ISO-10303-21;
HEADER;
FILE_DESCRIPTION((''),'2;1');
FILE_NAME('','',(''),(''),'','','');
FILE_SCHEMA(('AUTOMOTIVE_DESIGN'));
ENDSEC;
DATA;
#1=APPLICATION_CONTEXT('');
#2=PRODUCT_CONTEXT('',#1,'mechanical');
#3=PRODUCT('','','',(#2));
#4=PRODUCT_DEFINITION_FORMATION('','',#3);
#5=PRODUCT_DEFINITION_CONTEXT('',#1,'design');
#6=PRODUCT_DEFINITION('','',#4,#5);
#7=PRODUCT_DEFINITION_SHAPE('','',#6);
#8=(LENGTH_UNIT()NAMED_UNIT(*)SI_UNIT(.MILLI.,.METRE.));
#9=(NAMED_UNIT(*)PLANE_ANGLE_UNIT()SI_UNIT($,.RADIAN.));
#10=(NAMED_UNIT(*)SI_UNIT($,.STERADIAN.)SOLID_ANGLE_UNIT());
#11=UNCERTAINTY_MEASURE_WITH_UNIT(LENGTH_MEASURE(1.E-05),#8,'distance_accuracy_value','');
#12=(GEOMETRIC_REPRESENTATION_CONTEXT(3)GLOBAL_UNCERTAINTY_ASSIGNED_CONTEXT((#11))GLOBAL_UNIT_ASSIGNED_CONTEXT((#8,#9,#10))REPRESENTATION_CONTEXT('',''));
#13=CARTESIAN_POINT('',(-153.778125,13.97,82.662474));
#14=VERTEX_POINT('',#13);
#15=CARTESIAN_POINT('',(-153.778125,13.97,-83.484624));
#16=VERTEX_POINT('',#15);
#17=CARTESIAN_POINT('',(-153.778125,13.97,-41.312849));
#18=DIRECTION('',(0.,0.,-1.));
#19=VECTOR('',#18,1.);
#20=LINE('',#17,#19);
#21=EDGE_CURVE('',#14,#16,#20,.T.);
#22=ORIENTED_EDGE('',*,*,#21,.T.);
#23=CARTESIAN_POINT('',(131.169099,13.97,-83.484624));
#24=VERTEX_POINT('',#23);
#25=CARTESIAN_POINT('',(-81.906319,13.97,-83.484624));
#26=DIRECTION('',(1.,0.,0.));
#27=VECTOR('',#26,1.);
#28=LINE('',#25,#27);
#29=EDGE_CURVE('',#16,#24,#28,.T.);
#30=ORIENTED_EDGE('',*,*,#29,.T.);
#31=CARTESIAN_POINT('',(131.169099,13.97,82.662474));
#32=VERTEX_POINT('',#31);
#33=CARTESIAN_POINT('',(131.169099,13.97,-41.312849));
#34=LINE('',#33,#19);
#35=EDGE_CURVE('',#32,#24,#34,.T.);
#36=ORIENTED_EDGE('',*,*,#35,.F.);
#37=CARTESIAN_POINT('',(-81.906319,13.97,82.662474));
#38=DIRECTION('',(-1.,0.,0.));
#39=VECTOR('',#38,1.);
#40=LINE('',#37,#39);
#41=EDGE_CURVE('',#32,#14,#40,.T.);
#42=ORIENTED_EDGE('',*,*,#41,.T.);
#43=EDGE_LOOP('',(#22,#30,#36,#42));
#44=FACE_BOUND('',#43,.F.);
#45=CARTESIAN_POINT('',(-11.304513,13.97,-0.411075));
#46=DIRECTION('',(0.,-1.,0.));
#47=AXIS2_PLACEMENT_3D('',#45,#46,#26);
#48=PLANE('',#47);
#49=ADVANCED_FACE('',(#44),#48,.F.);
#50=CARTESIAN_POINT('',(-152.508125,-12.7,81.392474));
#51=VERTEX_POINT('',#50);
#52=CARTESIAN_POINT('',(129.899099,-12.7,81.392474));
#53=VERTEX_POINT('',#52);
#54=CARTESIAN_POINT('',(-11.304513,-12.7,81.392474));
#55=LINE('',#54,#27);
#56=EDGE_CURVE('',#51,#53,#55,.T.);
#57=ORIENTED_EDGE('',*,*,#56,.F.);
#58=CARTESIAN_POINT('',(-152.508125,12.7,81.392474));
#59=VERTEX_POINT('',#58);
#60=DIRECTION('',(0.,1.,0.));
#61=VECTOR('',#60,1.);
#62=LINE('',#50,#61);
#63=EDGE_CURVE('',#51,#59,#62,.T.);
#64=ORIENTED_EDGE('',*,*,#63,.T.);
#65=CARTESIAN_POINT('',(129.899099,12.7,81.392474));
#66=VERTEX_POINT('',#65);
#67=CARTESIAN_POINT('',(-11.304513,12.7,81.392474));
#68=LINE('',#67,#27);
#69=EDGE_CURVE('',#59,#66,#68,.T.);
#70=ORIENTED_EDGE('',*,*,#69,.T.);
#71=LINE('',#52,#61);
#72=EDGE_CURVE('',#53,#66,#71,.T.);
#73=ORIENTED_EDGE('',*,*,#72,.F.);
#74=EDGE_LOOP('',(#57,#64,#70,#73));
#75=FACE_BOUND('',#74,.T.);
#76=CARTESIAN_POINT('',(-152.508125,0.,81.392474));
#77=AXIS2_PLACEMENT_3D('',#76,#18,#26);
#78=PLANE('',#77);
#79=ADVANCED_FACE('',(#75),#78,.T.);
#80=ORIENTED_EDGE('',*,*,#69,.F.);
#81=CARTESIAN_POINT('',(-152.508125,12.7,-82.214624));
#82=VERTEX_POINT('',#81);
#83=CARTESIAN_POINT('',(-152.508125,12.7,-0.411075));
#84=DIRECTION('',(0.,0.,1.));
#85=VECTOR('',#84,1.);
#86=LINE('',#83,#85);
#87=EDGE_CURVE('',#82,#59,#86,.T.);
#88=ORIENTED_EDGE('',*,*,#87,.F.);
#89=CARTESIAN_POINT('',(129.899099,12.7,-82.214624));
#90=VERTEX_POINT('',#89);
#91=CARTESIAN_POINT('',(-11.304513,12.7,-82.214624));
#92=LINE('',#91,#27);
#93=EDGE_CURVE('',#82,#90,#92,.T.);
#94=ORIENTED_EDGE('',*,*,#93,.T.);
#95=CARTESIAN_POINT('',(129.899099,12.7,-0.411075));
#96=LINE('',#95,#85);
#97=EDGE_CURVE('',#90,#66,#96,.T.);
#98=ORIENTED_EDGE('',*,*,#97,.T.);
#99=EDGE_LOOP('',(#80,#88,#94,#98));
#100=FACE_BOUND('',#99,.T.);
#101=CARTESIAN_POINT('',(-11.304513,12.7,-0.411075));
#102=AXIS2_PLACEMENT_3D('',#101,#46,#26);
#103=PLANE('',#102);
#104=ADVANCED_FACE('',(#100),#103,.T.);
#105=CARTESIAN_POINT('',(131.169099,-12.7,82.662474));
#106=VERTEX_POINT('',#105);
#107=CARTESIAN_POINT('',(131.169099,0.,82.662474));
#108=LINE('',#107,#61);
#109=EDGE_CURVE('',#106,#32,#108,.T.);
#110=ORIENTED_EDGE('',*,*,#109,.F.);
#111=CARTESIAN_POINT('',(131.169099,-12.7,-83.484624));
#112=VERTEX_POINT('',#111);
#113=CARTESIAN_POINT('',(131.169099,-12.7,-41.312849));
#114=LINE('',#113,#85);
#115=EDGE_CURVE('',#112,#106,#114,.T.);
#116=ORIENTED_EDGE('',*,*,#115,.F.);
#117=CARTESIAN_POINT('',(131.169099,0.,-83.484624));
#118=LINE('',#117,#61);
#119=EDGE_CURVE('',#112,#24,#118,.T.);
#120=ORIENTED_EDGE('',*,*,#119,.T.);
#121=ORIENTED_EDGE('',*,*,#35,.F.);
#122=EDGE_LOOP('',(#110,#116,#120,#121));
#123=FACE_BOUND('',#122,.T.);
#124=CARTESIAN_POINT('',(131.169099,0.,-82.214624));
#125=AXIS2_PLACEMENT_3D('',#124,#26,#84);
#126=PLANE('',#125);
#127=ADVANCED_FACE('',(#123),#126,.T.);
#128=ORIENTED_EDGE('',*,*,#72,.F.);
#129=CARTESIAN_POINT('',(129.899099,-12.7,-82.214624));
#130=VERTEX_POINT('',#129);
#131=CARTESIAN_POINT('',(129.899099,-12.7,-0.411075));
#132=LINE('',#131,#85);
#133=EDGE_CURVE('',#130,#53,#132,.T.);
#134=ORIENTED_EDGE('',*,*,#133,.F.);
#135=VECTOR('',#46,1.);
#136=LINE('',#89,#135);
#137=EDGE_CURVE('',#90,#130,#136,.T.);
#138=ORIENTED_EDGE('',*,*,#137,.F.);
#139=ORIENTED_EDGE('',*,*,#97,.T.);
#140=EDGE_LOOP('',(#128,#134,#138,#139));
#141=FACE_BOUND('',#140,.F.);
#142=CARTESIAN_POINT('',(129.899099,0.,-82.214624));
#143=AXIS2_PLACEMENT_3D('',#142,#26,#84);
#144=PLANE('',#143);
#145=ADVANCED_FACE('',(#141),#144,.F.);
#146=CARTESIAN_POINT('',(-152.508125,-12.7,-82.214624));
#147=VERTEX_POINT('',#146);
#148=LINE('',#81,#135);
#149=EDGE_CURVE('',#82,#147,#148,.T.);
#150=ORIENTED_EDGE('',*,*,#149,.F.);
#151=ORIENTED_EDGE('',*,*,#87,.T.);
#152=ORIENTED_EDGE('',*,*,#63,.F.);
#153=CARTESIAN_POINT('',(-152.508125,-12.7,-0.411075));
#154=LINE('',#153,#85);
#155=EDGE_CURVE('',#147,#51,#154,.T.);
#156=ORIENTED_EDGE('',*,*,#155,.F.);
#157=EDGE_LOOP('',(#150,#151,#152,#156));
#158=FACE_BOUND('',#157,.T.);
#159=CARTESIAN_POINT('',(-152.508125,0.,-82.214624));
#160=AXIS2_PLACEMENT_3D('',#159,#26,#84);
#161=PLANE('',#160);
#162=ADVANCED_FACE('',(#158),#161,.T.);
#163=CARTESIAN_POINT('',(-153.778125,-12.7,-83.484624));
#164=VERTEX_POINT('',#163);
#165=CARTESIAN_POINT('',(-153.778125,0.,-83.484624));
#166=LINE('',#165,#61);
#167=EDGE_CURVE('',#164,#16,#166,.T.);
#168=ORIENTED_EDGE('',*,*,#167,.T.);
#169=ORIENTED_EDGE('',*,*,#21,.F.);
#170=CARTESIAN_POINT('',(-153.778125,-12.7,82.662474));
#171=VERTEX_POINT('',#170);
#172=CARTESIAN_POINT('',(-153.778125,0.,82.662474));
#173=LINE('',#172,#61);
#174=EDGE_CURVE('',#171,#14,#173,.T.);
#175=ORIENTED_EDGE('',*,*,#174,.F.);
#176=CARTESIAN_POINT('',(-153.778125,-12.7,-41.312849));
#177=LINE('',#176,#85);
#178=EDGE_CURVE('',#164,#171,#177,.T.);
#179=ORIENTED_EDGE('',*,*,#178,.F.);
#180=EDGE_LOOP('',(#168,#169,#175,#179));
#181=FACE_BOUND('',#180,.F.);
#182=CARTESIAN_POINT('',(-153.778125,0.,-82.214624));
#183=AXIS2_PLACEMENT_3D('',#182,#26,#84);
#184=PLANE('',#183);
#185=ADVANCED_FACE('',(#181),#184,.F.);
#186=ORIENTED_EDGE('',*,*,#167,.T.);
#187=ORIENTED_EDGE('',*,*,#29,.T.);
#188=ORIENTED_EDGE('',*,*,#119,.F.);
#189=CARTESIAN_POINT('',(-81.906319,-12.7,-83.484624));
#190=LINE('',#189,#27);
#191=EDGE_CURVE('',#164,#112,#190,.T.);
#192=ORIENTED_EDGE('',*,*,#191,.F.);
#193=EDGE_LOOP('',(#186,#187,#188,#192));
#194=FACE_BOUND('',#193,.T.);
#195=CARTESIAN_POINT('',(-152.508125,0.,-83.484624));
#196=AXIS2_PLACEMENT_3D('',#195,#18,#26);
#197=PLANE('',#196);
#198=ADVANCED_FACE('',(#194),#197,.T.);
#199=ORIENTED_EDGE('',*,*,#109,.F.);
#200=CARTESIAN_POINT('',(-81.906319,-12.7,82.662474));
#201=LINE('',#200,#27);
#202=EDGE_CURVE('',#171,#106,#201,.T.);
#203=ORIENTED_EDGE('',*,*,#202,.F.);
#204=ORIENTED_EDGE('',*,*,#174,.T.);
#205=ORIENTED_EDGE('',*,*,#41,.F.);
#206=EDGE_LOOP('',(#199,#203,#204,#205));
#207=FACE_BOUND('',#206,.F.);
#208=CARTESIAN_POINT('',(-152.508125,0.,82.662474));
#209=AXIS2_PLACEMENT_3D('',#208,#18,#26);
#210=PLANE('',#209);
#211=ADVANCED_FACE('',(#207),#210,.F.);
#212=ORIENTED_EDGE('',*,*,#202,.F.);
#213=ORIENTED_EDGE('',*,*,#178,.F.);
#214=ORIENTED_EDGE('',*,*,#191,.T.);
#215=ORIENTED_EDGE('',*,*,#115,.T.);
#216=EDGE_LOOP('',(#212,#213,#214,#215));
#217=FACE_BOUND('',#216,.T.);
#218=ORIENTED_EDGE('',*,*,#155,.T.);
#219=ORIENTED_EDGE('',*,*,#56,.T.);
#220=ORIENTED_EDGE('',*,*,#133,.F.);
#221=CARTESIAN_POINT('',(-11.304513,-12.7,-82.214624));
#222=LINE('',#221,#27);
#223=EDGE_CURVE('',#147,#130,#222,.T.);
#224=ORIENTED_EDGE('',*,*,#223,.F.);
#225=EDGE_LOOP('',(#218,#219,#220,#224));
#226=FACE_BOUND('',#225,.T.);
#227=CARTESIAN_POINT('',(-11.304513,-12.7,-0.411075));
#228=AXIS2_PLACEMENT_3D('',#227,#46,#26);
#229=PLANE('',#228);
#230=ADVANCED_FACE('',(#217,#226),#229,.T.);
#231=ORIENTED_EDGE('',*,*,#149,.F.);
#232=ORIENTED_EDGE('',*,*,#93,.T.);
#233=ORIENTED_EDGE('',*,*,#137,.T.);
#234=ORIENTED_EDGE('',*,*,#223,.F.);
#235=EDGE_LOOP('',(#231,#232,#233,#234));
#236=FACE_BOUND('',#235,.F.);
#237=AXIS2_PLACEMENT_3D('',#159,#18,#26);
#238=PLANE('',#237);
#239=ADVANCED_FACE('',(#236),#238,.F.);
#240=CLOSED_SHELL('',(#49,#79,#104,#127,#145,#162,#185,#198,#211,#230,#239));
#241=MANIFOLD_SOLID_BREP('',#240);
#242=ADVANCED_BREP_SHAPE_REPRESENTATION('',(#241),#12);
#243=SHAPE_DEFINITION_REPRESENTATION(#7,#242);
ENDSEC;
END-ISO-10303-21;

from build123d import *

# Parameters (mm, degrees)
F0_W     = 282.4072241783
F0_H     = 163.6070981622
F1_DEPTH = 12.7
F2_T     = 1.27


with BuildPart() as f1:
    # F0 (on Front) → F1 (new body, symmetric)
    with BuildSketch(Plane.XZ):
        with Locations((-11.30451262, -0.4110746086)):
            Rectangle(F0_W, F0_H)
    extrude(amount=F1_DEPTH, both=True)

    # F2
    f2_openings = [f1.faces().sort_by_distance(p)[0] for p in [
        (-11.304513, -12.7, -0.411075),
    ]]
    offset(amount=F2_T, openings=f2_openings, kind=Kind.INTERSECTION)


solid = f1.part
